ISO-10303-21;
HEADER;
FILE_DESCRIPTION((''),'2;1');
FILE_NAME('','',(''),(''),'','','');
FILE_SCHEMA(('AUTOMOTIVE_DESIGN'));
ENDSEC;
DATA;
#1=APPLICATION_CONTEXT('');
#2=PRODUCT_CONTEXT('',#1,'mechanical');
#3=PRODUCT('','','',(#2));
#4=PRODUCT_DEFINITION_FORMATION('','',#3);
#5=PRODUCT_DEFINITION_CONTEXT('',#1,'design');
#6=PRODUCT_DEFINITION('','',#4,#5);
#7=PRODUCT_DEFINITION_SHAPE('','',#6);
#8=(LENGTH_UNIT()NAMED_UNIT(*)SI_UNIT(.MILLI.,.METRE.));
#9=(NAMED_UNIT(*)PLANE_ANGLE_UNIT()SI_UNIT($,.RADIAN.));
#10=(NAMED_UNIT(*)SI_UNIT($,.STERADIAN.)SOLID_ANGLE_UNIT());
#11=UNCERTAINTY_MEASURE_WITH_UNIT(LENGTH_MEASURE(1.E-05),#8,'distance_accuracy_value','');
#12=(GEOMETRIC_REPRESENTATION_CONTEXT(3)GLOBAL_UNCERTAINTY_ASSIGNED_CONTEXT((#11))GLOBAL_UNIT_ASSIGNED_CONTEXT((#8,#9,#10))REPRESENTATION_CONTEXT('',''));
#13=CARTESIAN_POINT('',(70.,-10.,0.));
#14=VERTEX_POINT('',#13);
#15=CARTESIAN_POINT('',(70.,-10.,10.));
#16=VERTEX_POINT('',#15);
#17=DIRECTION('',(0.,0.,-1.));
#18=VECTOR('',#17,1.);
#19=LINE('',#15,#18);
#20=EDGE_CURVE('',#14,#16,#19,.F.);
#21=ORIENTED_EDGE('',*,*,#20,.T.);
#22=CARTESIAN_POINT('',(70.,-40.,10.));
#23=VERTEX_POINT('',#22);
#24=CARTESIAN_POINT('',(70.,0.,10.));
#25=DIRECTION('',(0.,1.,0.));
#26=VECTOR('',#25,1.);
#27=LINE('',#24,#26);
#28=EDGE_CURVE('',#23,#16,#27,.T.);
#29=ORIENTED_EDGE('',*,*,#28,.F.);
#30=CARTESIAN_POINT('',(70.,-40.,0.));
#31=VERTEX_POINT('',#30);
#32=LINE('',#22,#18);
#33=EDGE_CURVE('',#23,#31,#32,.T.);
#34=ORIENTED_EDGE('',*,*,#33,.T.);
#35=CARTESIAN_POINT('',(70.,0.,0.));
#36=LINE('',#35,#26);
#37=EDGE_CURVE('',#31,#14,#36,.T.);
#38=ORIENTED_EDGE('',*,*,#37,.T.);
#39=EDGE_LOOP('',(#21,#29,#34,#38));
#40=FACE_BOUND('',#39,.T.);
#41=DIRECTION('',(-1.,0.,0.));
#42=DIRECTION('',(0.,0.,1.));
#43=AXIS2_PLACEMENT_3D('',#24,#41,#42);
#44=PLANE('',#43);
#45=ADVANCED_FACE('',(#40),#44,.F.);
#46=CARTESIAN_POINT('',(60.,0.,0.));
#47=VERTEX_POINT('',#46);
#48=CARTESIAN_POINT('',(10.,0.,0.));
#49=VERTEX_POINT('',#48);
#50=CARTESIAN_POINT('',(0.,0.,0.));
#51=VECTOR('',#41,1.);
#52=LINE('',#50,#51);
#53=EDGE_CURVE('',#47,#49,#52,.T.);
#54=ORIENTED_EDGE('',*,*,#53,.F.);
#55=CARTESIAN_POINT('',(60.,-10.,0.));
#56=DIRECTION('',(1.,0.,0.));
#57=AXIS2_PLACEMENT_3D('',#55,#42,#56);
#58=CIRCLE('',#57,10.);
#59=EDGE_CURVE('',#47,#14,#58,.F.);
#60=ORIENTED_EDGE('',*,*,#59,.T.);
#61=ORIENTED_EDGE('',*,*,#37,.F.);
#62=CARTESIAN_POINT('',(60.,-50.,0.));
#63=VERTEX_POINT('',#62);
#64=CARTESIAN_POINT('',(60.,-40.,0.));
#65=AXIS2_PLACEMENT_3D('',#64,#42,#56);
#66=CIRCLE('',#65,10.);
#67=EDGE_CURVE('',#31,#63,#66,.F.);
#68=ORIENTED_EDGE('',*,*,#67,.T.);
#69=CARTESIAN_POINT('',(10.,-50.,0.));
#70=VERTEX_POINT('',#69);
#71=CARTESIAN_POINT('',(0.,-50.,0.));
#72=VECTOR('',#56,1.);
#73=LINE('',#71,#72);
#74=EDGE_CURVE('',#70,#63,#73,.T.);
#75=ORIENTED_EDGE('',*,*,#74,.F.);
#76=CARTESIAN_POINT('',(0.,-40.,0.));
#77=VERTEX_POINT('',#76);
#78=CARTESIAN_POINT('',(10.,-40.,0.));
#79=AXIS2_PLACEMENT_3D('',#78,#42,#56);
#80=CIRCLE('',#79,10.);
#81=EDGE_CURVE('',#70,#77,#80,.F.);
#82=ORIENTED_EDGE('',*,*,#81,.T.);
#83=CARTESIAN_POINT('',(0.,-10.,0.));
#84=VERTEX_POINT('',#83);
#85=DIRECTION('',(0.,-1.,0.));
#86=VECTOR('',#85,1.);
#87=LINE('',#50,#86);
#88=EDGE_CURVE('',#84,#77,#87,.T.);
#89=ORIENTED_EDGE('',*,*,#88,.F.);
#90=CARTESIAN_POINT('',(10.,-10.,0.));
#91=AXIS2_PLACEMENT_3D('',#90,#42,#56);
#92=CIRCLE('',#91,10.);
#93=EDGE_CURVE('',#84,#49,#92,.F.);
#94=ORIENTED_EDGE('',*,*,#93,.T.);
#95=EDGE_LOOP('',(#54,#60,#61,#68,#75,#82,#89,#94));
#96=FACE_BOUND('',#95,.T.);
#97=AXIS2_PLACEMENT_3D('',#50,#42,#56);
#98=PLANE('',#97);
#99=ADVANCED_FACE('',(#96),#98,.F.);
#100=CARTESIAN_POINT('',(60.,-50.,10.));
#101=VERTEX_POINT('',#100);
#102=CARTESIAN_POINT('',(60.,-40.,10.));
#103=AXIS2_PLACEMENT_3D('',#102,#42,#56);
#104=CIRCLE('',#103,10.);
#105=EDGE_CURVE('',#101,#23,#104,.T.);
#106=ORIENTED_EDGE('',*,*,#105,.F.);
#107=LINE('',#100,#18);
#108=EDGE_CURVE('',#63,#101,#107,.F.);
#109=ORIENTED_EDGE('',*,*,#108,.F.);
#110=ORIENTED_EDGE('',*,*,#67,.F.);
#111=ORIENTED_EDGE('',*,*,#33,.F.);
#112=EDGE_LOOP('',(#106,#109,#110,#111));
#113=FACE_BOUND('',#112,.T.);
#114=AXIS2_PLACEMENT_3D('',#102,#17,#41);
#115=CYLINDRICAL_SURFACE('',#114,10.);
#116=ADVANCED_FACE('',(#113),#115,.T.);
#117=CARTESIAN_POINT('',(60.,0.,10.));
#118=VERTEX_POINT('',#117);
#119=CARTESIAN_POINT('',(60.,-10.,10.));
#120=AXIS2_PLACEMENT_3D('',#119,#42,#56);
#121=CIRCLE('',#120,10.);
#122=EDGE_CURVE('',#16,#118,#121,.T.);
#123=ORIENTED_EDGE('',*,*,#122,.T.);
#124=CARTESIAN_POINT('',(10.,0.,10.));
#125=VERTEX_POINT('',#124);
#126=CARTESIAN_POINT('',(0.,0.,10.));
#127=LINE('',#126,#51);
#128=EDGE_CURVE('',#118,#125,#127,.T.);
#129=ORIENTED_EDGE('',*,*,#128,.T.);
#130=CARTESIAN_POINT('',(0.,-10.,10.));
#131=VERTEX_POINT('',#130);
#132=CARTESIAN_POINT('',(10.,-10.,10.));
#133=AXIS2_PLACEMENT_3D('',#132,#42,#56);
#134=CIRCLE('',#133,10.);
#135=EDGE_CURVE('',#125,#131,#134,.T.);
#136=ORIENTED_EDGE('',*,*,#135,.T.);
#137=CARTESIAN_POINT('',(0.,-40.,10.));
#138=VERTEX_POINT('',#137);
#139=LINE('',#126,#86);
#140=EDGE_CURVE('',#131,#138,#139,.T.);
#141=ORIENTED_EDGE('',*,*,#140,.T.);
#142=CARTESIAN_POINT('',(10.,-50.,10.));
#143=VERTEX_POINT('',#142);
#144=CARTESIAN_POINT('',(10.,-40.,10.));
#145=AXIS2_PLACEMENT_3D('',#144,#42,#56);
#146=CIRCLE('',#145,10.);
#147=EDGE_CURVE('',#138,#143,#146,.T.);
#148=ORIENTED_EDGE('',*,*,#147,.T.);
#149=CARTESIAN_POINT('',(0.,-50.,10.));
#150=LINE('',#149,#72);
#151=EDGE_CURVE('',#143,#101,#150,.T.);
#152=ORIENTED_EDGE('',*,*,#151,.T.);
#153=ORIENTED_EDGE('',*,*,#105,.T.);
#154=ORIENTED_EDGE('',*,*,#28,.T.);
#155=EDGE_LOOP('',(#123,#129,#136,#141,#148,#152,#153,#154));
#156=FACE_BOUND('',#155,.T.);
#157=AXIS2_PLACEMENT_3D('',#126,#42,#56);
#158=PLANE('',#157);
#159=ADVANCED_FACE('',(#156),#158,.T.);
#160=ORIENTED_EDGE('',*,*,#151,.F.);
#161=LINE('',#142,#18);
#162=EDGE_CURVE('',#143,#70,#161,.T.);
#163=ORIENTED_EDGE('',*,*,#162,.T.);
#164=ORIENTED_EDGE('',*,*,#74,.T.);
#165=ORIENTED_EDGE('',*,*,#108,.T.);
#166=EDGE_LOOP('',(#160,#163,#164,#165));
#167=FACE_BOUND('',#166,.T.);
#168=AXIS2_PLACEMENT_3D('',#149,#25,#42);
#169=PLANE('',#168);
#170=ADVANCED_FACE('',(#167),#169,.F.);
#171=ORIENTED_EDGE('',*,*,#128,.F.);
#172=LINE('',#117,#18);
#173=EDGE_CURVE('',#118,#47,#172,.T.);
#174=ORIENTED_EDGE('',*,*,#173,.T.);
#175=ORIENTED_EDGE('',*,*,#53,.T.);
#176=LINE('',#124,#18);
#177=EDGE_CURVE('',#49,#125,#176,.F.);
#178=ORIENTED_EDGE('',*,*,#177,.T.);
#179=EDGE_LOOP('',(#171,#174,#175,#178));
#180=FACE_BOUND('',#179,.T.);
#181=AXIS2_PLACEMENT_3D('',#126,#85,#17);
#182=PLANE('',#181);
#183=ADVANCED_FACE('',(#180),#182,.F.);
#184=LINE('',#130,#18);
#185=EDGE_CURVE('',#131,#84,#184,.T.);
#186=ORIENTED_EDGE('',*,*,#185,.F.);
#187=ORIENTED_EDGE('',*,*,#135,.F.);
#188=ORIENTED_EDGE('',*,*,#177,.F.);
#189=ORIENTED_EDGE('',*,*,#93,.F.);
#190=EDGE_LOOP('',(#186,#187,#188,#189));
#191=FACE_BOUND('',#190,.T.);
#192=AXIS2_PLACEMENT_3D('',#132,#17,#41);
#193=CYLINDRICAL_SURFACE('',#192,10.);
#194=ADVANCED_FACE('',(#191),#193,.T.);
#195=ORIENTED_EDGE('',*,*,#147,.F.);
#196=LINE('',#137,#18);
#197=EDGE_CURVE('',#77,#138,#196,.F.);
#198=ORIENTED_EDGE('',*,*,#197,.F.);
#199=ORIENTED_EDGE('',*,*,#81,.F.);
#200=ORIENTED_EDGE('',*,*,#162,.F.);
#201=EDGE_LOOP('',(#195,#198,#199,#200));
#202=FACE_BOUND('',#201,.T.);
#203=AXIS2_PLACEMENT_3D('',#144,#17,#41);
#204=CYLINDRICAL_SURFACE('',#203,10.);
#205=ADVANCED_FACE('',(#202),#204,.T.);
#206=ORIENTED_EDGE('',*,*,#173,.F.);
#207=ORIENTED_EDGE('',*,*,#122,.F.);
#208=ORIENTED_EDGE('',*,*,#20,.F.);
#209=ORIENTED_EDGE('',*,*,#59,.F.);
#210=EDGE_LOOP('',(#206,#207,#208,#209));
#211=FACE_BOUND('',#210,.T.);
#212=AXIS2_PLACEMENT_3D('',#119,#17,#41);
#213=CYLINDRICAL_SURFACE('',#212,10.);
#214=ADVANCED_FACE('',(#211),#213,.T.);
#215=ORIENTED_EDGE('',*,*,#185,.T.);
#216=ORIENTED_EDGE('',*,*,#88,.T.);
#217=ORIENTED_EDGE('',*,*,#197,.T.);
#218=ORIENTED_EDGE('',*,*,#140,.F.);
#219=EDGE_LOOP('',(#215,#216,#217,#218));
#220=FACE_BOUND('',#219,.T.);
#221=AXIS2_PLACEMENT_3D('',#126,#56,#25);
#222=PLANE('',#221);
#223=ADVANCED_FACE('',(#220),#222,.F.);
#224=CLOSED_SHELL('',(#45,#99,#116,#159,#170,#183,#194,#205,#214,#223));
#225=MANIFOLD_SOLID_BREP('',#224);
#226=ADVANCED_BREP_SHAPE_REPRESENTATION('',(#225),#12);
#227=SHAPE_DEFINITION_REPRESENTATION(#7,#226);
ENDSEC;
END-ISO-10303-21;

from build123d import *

# Parameters (mm, degrees)
SKETCH_1_W      = 70
SKETCH_1_H      = 50
EXTRUDE_1_DEPTH = 10
FILLET_1_R      = 10


with BuildPart() as part:
    # 스케치1 → 보스-돌출1 (new body)
    with BuildSketch(Plane.XY):
        with Locations((35, -25)):
            Rectangle(SKETCH_1_W, SKETCH_1_H)
    extrude(amount=EXTRUDE_1_DEPTH)

    # 필렛1
    fillet_1_edges = [part.edges().sort_by_distance(p)[0] for p in [
        (0, 0, 5),
        (70, 0, 5),
        (70, -50, 5),
        (0, -50, 5),
    ]]
    fillet(fillet_1_edges, radius=FILLET_1_R)


solid = part.part
